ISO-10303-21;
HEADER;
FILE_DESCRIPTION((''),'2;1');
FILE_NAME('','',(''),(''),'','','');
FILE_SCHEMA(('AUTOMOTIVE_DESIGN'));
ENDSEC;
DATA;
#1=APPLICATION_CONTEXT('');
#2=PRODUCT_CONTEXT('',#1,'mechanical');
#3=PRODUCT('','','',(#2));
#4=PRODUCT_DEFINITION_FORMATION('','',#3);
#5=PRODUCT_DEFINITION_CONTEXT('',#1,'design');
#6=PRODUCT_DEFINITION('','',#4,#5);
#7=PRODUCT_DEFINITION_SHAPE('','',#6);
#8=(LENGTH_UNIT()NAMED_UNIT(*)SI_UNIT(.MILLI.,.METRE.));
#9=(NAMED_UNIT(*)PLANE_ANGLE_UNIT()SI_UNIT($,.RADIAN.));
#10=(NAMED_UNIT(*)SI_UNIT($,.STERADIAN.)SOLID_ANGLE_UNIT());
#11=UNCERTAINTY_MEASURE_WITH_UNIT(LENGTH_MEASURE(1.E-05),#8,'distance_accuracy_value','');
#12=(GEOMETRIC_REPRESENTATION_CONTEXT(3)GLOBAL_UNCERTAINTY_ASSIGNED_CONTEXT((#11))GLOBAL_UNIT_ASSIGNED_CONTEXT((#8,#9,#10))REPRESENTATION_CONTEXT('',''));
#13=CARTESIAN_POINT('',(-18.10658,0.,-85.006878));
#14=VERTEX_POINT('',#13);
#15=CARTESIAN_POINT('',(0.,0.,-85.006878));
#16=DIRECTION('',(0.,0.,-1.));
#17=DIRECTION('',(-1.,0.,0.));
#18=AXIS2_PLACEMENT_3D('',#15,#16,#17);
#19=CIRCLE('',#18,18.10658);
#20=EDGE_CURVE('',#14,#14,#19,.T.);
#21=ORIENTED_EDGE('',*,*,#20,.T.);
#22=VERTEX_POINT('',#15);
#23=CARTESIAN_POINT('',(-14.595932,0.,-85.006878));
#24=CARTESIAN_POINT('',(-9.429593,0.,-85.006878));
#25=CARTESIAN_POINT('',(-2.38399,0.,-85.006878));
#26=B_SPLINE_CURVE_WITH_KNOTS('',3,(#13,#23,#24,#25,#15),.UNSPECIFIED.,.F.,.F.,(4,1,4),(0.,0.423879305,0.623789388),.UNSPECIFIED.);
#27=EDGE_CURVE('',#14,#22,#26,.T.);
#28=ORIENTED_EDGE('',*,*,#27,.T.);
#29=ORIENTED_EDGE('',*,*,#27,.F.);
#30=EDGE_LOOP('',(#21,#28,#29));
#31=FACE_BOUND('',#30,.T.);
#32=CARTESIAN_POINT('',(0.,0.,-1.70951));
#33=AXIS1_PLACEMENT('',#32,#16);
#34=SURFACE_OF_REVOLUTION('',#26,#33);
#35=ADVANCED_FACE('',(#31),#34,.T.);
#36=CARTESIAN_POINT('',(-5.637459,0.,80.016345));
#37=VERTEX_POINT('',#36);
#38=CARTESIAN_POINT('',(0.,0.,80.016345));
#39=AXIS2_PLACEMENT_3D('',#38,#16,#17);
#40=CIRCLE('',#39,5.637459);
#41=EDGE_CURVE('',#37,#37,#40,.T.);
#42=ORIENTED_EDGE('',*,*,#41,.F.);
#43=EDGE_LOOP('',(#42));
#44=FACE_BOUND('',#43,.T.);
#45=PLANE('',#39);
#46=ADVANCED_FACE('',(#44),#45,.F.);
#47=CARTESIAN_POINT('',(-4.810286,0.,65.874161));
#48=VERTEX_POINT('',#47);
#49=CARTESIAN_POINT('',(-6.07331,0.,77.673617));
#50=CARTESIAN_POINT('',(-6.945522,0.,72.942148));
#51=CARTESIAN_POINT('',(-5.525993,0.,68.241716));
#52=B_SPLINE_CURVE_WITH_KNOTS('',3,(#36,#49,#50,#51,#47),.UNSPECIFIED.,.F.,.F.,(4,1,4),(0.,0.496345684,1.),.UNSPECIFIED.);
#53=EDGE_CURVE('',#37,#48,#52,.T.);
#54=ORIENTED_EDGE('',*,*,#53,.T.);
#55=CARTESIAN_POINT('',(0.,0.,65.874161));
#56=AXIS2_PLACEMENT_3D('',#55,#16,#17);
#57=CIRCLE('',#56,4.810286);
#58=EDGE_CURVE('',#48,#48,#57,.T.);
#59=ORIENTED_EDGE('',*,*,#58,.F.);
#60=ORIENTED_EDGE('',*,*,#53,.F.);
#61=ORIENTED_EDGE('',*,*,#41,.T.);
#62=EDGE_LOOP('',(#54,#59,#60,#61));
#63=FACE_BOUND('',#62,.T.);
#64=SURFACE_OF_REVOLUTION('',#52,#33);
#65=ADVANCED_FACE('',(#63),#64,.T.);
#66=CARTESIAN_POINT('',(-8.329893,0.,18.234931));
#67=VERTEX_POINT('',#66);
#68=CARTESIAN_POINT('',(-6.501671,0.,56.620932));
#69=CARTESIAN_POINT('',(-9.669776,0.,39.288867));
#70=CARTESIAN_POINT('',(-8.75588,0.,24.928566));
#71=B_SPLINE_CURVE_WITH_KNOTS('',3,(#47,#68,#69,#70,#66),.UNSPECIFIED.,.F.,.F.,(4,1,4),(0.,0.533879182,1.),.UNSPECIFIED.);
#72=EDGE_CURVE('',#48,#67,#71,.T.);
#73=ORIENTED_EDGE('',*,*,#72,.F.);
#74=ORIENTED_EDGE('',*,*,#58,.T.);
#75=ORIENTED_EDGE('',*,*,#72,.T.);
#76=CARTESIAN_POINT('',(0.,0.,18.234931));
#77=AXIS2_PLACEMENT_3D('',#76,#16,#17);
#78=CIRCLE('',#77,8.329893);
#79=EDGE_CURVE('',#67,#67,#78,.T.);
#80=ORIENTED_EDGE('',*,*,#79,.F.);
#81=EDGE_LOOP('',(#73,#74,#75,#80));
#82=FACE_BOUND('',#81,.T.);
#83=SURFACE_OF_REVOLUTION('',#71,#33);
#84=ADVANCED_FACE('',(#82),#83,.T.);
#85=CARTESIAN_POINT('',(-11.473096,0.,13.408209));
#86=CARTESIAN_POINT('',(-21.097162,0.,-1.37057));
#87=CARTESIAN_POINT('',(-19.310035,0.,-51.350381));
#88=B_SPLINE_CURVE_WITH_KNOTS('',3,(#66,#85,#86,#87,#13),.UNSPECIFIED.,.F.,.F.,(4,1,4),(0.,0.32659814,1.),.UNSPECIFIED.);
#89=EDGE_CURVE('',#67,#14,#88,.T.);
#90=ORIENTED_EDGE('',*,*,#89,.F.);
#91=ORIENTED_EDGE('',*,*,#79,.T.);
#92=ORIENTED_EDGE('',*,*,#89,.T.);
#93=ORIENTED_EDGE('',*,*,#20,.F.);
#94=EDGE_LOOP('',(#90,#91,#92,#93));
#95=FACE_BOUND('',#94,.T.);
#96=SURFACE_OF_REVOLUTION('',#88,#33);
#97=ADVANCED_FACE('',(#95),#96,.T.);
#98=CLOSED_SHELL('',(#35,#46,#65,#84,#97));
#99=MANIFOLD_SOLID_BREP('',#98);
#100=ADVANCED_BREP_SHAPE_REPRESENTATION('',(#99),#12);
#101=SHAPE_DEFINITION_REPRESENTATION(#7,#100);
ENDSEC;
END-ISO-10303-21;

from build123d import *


with BuildPart() as f1:
    # F0 (on Front) → F1 (revolve)
    with BuildSketch(Plane.XZ):
        with BuildLine():
            Line((0, 80.0163449237), (-5.6374586279, 80.0163449237))
            add(Edge.make_bspline(
                [(-5.6374586279, 80.0163449237), (-6.0733098722, 77.6736170043), (-6.9455218679, 72.9421484634), (-5.5259929545, 68.2417160674), (-4.8102862202, 65.8741606021)],
                knots=[0, 0, 0, 0, 0.4963456841, 1, 1, 1, 1], degree=3))
            add(Edge.make_bspline(
                [(-4.8102862202, 65.8741606021), (-6.5016714734, 56.6209318458), (-9.6697763734, 39.2888667197), (-8.7558797185, 24.9285660321), (-8.3298934624, 18.2349309325)],
                knots=[0, 0, 0, 0, 0.5338791823, 1, 1, 1, 1], degree=3))
            add(Edge.make_bspline(
                [(-8.3298934624, 18.2349309325), (-11.4730957341, 13.4082090514), (-21.0971624019, -1.3705704081), (-19.3100348191, -51.3503806168), (-18.1065797806, -85.00687778)],
                knots=[0, 0, 0, 0, 0.3265981399, 1, 1, 1, 1], degree=3))
            add(Edge.make_bspline(
                [(-18.1065797806, -85.00687778), (-14.5959324359, -85.00687778), (-9.4295925568, -85.00687778), (-2.3839899402, -85.00687778), (0, -85.00687778)],
                knots=[0, 0, 0, 0, 0.423879305, 0.6237893877, 0.6237893877, 0.6237893877, 0.6237893877], degree=3))
            Line((0, -85.00687778), (0, 80.0163449237))
        make_face()
    revolve(axis=Axis((0, 0, -1.7095096409), (0, 0, -1)))


solid = f1.part
